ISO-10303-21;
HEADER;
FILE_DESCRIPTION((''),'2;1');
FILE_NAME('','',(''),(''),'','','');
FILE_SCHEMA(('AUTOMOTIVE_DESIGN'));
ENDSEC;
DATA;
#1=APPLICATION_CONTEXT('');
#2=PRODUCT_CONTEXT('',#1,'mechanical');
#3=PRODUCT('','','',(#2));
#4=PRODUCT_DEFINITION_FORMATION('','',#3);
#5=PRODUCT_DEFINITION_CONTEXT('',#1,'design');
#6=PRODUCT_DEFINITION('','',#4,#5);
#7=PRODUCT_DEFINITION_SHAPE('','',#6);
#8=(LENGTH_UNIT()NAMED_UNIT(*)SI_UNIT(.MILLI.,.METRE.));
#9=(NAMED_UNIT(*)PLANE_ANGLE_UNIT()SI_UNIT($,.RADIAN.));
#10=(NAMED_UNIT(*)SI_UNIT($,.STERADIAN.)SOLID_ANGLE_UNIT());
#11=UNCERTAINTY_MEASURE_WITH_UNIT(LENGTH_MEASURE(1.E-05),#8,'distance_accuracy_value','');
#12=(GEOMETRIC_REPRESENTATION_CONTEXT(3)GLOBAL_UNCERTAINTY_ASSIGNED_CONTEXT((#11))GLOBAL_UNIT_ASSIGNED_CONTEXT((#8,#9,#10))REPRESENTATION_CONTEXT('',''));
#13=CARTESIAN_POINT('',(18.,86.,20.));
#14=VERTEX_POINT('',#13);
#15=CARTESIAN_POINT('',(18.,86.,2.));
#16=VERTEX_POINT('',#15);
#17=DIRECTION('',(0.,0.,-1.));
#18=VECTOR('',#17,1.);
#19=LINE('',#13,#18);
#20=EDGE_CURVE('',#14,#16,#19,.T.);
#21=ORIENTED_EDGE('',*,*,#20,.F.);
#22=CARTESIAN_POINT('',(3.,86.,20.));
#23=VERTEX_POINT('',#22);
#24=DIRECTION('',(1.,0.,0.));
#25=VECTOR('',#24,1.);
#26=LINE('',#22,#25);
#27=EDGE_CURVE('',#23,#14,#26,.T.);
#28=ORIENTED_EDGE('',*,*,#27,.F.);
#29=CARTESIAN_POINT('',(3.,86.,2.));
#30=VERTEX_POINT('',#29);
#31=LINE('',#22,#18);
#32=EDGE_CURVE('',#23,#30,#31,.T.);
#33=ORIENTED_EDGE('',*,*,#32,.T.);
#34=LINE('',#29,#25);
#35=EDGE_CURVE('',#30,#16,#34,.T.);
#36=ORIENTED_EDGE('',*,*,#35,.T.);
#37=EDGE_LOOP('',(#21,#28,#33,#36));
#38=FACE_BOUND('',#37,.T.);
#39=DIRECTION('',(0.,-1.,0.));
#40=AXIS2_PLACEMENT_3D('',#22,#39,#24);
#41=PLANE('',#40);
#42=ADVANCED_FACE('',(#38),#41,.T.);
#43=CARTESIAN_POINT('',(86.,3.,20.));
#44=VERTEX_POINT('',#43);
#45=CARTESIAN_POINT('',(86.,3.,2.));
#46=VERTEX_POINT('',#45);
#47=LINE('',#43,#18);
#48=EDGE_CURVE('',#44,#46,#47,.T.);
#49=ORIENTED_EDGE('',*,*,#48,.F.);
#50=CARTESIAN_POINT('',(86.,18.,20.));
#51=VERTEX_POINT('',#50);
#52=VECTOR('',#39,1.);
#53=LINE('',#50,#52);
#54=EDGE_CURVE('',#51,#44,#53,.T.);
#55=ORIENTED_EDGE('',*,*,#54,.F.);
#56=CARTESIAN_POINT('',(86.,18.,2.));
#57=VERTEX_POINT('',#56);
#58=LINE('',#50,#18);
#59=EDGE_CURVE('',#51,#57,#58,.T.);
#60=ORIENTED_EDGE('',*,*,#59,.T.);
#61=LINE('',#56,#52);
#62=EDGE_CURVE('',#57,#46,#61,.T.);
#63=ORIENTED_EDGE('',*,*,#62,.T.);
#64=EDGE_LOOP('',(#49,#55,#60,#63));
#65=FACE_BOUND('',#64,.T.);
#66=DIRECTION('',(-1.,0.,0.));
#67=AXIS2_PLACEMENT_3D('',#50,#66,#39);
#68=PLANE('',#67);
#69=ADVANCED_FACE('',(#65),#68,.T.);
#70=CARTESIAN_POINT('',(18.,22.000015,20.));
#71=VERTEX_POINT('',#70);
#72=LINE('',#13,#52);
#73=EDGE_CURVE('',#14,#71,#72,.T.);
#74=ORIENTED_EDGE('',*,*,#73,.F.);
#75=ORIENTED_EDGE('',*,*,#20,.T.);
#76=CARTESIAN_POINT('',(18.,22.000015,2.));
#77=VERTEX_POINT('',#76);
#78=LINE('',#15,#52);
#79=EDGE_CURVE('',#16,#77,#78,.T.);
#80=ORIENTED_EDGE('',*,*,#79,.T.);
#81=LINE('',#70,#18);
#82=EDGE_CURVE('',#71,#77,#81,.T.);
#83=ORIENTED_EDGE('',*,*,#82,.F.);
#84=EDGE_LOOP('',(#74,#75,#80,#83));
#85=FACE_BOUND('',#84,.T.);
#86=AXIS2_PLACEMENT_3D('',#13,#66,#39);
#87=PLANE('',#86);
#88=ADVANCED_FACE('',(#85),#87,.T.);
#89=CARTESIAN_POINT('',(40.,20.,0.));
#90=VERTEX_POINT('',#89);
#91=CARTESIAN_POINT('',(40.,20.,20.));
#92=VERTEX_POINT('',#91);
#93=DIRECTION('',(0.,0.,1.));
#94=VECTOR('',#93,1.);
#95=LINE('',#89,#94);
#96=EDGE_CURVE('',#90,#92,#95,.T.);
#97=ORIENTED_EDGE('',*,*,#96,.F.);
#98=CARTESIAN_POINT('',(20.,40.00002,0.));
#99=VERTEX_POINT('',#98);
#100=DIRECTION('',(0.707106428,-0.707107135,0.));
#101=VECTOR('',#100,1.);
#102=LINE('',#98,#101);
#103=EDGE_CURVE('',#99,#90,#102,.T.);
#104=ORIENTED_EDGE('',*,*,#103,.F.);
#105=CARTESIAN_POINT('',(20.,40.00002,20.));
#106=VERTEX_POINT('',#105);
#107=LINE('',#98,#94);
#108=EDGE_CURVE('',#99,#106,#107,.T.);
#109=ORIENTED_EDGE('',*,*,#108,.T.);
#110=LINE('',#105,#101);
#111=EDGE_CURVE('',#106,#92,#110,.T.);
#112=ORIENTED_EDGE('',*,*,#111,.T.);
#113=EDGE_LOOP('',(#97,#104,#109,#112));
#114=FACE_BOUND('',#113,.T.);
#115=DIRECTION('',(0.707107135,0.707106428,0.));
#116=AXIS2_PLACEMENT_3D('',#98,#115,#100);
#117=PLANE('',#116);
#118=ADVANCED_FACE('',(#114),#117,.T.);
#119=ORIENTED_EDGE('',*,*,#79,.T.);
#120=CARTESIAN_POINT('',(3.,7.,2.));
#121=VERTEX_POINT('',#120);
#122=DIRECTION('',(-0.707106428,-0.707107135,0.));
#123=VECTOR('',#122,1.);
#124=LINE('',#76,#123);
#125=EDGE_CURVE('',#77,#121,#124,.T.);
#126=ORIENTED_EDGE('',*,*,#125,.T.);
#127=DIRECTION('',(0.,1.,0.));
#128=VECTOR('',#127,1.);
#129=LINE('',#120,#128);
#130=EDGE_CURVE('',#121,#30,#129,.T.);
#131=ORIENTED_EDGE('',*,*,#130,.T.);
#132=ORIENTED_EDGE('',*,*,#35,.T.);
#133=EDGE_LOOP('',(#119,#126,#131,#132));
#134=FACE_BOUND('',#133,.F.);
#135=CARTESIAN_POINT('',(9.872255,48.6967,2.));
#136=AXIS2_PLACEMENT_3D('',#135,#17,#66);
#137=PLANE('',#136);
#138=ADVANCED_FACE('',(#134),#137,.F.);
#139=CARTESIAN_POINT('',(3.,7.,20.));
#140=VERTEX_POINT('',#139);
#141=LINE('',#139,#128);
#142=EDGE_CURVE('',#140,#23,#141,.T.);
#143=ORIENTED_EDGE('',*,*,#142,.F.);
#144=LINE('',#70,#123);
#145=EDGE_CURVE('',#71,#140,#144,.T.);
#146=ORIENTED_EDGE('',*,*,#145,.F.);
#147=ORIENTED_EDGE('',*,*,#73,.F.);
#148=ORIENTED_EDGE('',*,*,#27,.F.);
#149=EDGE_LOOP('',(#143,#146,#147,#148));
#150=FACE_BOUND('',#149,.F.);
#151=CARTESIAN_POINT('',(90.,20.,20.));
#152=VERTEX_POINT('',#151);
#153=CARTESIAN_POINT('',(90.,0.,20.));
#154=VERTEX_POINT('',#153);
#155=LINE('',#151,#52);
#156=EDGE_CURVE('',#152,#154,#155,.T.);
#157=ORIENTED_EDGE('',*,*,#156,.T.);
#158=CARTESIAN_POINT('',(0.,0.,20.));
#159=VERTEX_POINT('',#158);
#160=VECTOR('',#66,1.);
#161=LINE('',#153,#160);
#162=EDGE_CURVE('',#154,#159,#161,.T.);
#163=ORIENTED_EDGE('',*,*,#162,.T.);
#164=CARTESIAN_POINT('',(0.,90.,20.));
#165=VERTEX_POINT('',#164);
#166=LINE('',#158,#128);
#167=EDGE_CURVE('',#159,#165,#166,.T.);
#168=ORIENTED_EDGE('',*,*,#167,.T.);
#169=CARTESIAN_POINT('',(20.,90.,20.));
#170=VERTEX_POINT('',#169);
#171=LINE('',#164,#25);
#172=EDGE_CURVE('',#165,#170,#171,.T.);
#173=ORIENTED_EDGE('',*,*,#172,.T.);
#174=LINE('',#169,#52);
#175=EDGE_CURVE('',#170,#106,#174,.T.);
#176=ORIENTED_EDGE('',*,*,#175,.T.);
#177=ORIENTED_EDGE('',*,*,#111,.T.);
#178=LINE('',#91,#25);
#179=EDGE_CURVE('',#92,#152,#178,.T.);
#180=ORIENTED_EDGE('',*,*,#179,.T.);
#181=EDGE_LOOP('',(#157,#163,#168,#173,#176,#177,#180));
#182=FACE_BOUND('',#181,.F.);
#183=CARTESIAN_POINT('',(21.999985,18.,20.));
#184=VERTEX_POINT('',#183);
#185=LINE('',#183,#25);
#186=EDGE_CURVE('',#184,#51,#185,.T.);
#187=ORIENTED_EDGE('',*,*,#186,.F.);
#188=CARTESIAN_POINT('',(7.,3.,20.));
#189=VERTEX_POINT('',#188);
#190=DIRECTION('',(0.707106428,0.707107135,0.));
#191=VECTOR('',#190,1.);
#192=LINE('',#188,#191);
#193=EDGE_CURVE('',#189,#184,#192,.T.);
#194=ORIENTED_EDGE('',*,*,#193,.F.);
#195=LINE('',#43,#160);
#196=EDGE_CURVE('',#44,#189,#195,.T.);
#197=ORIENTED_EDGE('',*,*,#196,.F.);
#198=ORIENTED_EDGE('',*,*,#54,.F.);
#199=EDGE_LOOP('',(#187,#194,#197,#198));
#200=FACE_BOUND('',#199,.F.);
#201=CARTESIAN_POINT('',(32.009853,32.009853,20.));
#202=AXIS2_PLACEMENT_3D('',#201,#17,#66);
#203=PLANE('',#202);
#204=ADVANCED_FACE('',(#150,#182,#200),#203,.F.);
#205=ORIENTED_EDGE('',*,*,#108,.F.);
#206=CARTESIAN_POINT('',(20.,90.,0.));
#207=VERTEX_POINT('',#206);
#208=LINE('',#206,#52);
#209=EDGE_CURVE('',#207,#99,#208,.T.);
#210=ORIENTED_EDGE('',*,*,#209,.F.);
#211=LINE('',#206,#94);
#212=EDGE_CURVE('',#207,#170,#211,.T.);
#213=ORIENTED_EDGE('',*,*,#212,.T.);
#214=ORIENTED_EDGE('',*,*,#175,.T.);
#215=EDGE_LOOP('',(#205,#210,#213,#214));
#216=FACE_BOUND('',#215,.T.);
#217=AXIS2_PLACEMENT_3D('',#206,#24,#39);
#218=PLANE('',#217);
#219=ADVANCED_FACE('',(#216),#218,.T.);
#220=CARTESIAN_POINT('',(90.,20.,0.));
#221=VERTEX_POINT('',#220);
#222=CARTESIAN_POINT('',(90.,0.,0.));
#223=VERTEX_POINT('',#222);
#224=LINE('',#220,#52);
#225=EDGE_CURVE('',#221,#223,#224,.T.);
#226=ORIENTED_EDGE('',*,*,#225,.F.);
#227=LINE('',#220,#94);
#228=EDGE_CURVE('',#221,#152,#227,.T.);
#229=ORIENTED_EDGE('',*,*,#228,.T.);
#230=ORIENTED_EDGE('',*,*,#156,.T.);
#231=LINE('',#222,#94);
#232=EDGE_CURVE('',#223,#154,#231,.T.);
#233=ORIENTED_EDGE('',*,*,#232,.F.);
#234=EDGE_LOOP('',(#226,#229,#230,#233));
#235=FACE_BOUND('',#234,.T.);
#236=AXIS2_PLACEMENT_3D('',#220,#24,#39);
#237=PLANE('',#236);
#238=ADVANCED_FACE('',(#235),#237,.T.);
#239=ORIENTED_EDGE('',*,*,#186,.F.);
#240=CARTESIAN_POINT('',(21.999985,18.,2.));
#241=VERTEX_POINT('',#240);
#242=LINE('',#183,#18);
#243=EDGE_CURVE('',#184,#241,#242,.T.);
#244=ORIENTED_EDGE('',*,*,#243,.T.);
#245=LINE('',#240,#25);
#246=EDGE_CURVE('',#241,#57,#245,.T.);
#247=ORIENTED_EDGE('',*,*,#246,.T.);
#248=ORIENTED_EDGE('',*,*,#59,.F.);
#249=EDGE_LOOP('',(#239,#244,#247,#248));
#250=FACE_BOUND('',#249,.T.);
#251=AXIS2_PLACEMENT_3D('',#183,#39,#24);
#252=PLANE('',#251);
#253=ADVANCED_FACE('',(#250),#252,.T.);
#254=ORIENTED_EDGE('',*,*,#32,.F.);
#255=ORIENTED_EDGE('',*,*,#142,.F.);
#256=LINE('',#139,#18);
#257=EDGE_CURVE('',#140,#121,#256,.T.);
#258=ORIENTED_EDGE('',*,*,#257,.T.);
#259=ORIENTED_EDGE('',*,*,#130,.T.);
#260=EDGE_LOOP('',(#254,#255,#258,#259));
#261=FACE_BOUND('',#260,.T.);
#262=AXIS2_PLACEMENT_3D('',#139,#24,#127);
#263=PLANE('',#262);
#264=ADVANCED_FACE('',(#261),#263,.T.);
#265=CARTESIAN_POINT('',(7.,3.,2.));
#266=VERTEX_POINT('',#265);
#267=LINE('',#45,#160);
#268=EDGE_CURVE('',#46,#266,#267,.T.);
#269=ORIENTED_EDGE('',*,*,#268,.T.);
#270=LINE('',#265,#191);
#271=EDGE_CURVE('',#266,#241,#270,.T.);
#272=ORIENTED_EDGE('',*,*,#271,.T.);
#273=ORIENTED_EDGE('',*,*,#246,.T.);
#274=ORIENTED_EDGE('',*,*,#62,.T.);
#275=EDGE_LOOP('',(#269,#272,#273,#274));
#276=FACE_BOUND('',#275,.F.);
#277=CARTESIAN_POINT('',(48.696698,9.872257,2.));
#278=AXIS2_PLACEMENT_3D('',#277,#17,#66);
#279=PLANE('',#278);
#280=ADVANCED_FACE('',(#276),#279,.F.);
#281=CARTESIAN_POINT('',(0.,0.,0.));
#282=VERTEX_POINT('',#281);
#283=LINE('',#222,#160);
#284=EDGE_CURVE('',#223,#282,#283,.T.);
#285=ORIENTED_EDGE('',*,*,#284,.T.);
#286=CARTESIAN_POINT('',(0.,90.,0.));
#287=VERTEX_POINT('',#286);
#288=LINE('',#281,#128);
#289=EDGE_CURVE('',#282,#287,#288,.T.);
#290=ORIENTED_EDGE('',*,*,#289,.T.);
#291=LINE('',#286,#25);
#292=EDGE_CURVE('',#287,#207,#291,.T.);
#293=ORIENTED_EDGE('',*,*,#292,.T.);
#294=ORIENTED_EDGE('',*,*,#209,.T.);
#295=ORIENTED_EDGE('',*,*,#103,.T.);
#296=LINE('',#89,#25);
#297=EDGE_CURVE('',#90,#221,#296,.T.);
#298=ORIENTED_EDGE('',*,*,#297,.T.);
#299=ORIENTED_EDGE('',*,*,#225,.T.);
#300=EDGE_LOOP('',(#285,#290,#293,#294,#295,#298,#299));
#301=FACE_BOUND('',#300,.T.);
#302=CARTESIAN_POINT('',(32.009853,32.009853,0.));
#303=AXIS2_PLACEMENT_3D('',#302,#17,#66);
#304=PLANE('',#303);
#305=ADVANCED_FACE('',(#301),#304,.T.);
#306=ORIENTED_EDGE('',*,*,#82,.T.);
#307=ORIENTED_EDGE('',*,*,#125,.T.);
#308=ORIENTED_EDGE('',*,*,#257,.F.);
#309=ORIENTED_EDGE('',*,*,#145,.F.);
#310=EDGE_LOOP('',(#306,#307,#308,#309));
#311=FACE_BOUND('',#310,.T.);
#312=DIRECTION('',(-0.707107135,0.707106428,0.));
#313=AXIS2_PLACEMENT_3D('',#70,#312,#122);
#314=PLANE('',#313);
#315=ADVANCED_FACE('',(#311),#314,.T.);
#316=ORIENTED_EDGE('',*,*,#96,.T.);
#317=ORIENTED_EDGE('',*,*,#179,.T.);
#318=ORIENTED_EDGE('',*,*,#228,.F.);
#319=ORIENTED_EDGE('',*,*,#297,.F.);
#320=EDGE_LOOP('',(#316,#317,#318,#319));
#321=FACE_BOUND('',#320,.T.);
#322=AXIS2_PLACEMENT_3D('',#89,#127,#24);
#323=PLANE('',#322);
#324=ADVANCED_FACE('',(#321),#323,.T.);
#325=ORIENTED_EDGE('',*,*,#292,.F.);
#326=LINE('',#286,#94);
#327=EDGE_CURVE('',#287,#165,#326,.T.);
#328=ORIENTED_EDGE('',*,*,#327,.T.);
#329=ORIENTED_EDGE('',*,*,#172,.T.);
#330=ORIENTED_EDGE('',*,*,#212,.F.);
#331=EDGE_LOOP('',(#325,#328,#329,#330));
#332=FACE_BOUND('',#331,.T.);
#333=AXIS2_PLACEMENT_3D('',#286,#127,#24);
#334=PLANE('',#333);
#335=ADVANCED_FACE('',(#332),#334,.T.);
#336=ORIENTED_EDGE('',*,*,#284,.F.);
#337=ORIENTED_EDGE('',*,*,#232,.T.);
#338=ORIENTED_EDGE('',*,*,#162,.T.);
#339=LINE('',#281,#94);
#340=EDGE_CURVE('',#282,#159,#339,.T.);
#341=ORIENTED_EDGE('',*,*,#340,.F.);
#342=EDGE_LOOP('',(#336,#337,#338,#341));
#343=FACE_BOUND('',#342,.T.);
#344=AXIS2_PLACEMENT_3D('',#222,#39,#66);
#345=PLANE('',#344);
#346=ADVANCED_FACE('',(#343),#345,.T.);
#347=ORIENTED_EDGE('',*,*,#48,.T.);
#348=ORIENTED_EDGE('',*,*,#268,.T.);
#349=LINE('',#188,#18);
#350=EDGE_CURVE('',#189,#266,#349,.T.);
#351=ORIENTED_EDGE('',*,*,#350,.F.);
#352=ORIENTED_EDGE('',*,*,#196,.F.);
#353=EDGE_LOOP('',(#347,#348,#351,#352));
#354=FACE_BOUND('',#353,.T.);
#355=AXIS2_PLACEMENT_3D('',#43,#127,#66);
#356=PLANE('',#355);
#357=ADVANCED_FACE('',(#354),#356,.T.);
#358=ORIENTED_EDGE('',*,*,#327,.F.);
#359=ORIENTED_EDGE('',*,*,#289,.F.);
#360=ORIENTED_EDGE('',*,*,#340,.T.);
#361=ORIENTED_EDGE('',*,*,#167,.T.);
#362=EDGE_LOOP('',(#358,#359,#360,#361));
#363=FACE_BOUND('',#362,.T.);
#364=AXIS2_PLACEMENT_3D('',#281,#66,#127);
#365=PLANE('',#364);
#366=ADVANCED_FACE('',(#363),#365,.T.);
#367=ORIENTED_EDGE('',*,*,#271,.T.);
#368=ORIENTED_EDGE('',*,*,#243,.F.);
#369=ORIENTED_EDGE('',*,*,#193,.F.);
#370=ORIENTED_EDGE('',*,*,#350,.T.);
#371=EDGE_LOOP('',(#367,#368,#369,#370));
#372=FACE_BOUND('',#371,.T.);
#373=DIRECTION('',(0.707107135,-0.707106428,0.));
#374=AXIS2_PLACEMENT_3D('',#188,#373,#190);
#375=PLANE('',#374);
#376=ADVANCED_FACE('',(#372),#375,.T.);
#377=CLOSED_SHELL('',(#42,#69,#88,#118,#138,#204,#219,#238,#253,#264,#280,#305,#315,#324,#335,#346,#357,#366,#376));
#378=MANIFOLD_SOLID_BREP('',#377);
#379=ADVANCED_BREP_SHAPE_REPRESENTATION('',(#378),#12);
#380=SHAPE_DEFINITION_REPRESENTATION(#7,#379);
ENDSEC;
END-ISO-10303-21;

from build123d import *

# Parameters (mm, degrees)
PAD_DEPTH    = 20
POCKET_DEPTH = 18


with BuildPart() as part:
    # Sketch → Pad (new body)
    with BuildSketch(Plane.XY):
        Polygon((0, 0), (0, 90), (20, 90), (20, 40.00002), (40, 20), (90, 20), (90, 0), align=None)
    extrude(amount=PAD_DEPTH)

    # Sketch001 → Pocket (cut)
    with BuildSketch(Plane.XY.offset(20)):
        Polygon((3, 7), (3, 86), (18, 86), (18, 22.000015), align=None)
        Polygon((21.999985, 18), (86, 18), (86, 3), (7, 3), align=None)
    extrude(amount=-POCKET_DEPTH, mode=Mode.SUBTRACT)


solid = part.part
